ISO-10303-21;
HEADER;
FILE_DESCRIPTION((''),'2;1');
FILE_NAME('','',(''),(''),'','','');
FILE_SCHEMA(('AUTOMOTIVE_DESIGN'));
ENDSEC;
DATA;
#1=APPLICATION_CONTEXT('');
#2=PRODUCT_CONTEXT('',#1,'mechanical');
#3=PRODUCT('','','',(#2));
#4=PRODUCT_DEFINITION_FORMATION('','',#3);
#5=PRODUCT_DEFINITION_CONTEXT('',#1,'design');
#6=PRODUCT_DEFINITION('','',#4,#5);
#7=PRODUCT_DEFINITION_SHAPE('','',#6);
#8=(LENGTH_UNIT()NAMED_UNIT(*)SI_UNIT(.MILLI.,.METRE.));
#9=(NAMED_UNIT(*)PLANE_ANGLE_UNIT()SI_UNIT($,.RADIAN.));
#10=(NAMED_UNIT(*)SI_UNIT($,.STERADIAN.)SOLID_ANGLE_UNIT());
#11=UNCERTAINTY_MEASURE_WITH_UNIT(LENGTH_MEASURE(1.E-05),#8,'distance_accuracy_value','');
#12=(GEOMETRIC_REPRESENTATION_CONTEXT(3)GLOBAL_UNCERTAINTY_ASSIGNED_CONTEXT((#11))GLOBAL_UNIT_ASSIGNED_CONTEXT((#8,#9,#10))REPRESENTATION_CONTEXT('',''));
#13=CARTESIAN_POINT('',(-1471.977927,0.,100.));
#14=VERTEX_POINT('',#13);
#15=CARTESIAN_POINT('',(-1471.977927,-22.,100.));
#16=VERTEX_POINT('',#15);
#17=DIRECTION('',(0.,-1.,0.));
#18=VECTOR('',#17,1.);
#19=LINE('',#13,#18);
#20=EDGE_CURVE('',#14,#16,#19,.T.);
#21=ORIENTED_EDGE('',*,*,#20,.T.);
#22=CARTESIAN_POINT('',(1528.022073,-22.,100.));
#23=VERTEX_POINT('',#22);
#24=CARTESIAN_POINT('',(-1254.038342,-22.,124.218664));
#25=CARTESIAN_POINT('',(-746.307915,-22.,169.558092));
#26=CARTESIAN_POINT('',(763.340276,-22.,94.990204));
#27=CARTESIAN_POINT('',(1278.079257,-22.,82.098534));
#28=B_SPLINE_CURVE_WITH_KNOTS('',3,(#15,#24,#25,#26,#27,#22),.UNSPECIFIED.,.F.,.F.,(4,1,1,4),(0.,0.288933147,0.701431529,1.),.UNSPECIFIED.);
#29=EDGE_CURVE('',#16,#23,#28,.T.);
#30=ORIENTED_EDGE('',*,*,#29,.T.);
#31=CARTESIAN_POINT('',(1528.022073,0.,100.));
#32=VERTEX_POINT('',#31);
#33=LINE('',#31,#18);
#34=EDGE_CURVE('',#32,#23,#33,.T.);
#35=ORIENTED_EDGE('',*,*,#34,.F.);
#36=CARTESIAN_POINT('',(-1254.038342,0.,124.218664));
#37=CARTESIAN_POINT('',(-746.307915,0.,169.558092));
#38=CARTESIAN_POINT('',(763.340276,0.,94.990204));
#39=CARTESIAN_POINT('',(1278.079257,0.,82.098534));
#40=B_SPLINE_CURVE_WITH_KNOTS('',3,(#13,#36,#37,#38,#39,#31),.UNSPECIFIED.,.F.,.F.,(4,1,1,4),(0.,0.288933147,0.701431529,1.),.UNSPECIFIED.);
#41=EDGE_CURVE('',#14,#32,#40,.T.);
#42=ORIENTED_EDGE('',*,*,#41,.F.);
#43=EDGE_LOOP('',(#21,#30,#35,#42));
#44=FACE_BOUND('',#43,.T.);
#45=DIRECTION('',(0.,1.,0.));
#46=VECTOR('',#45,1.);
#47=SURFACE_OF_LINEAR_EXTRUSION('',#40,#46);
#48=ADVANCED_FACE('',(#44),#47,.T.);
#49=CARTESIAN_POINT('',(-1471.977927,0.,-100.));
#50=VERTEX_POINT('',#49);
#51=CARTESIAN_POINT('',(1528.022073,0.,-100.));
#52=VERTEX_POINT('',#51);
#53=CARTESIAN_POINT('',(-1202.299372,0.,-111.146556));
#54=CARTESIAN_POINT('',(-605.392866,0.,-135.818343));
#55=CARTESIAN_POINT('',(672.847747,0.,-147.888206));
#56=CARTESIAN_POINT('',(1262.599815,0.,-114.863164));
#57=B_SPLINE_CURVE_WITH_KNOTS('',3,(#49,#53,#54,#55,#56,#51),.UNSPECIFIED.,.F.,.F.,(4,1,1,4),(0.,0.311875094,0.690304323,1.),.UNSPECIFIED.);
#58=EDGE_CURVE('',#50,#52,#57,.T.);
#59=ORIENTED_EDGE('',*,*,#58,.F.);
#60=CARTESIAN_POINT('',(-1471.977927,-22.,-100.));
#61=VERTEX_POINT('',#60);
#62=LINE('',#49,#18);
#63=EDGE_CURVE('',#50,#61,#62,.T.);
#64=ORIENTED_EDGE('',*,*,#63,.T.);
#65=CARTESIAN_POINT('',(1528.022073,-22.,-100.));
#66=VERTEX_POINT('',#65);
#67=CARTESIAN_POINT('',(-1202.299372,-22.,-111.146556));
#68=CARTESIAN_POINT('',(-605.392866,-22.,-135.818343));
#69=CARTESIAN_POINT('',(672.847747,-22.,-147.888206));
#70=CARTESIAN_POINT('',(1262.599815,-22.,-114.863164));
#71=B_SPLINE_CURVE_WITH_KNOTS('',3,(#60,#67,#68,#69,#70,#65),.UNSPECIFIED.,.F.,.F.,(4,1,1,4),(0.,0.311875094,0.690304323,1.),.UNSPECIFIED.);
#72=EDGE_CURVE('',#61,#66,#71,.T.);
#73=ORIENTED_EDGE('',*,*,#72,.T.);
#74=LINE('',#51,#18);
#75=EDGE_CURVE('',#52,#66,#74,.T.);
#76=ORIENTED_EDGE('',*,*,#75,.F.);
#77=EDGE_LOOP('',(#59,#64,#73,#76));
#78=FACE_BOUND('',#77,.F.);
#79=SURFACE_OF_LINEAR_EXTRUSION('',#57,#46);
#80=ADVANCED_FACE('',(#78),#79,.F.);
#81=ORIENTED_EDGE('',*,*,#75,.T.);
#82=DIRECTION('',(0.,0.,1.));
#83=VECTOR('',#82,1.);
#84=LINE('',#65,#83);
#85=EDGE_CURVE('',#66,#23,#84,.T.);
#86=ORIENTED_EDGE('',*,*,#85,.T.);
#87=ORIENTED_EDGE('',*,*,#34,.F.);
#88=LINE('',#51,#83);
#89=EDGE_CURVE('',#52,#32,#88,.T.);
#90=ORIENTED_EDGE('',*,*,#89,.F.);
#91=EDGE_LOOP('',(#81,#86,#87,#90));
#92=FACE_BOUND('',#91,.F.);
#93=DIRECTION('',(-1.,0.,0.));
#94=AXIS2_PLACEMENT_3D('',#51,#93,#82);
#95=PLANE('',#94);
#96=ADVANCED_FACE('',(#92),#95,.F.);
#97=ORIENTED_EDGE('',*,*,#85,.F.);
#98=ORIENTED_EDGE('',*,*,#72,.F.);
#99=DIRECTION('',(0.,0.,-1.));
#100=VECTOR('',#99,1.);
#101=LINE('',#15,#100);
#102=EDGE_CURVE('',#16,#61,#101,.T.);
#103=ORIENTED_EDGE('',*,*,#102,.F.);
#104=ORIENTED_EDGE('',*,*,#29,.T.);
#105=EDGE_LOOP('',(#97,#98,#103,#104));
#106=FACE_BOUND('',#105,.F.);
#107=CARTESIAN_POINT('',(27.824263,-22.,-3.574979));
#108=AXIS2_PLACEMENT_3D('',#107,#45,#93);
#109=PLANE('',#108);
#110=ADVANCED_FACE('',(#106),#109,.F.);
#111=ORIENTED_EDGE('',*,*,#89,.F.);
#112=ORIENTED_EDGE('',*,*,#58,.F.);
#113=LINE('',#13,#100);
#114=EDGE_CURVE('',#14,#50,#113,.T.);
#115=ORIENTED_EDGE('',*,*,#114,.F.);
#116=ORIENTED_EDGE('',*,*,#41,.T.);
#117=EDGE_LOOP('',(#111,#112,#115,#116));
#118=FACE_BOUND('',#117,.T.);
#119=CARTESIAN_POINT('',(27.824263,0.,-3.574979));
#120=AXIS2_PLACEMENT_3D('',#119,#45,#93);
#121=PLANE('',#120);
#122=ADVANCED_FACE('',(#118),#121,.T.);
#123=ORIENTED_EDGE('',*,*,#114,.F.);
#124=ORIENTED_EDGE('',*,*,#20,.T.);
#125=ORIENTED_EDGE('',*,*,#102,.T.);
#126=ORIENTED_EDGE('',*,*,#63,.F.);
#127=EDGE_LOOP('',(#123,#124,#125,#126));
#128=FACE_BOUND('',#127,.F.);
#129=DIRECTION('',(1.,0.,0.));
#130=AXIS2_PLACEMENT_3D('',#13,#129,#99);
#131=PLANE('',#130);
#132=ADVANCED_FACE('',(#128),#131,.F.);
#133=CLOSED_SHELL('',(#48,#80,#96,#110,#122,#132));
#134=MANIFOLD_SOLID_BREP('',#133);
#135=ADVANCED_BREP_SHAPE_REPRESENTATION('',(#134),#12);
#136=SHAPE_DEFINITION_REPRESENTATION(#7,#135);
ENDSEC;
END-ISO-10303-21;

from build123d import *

# Parameters (mm, degrees)
F1_DEPTH = 22


with BuildPart() as f1:
    # F0 (on Front) → F1 (new body)
    with BuildSketch(Plane.XZ):
        with BuildLine():
            add(Edge.make_bspline(
                [(-1471.9779274989, 100), (-1254.0383418697, 124.2186642982), (-746.3079146851, 169.5580918742), (763.3402755779, 94.9902041901), (1278.0792569911, 82.0985342071), (1528.0220725011, 100)],
                knots=[0, 0, 0, 0, 0.2889331465, 0.701431529, 1, 1, 1, 1], degree=3))
            Line((-1471.9779274989, 100), (-1471.9779274989, -100))
            add(Edge.make_bspline(
                [(-1471.9779274989, -100), (-1202.2993721527, -111.1465562239), (-605.39286607, -135.8183434258), (672.8477473554, -147.888206323), (1262.5998150596, -114.8631635134), (1528.0220725011, -100)],
                knots=[0, 0, 0, 0, 0.3118750937, 0.6903043227, 1, 1, 1, 1], degree=3))
            Line((1528.0220725011, -100), (1528.0220725011, 100))
        make_face()
    extrude(amount=F1_DEPTH)


solid = f1.part
